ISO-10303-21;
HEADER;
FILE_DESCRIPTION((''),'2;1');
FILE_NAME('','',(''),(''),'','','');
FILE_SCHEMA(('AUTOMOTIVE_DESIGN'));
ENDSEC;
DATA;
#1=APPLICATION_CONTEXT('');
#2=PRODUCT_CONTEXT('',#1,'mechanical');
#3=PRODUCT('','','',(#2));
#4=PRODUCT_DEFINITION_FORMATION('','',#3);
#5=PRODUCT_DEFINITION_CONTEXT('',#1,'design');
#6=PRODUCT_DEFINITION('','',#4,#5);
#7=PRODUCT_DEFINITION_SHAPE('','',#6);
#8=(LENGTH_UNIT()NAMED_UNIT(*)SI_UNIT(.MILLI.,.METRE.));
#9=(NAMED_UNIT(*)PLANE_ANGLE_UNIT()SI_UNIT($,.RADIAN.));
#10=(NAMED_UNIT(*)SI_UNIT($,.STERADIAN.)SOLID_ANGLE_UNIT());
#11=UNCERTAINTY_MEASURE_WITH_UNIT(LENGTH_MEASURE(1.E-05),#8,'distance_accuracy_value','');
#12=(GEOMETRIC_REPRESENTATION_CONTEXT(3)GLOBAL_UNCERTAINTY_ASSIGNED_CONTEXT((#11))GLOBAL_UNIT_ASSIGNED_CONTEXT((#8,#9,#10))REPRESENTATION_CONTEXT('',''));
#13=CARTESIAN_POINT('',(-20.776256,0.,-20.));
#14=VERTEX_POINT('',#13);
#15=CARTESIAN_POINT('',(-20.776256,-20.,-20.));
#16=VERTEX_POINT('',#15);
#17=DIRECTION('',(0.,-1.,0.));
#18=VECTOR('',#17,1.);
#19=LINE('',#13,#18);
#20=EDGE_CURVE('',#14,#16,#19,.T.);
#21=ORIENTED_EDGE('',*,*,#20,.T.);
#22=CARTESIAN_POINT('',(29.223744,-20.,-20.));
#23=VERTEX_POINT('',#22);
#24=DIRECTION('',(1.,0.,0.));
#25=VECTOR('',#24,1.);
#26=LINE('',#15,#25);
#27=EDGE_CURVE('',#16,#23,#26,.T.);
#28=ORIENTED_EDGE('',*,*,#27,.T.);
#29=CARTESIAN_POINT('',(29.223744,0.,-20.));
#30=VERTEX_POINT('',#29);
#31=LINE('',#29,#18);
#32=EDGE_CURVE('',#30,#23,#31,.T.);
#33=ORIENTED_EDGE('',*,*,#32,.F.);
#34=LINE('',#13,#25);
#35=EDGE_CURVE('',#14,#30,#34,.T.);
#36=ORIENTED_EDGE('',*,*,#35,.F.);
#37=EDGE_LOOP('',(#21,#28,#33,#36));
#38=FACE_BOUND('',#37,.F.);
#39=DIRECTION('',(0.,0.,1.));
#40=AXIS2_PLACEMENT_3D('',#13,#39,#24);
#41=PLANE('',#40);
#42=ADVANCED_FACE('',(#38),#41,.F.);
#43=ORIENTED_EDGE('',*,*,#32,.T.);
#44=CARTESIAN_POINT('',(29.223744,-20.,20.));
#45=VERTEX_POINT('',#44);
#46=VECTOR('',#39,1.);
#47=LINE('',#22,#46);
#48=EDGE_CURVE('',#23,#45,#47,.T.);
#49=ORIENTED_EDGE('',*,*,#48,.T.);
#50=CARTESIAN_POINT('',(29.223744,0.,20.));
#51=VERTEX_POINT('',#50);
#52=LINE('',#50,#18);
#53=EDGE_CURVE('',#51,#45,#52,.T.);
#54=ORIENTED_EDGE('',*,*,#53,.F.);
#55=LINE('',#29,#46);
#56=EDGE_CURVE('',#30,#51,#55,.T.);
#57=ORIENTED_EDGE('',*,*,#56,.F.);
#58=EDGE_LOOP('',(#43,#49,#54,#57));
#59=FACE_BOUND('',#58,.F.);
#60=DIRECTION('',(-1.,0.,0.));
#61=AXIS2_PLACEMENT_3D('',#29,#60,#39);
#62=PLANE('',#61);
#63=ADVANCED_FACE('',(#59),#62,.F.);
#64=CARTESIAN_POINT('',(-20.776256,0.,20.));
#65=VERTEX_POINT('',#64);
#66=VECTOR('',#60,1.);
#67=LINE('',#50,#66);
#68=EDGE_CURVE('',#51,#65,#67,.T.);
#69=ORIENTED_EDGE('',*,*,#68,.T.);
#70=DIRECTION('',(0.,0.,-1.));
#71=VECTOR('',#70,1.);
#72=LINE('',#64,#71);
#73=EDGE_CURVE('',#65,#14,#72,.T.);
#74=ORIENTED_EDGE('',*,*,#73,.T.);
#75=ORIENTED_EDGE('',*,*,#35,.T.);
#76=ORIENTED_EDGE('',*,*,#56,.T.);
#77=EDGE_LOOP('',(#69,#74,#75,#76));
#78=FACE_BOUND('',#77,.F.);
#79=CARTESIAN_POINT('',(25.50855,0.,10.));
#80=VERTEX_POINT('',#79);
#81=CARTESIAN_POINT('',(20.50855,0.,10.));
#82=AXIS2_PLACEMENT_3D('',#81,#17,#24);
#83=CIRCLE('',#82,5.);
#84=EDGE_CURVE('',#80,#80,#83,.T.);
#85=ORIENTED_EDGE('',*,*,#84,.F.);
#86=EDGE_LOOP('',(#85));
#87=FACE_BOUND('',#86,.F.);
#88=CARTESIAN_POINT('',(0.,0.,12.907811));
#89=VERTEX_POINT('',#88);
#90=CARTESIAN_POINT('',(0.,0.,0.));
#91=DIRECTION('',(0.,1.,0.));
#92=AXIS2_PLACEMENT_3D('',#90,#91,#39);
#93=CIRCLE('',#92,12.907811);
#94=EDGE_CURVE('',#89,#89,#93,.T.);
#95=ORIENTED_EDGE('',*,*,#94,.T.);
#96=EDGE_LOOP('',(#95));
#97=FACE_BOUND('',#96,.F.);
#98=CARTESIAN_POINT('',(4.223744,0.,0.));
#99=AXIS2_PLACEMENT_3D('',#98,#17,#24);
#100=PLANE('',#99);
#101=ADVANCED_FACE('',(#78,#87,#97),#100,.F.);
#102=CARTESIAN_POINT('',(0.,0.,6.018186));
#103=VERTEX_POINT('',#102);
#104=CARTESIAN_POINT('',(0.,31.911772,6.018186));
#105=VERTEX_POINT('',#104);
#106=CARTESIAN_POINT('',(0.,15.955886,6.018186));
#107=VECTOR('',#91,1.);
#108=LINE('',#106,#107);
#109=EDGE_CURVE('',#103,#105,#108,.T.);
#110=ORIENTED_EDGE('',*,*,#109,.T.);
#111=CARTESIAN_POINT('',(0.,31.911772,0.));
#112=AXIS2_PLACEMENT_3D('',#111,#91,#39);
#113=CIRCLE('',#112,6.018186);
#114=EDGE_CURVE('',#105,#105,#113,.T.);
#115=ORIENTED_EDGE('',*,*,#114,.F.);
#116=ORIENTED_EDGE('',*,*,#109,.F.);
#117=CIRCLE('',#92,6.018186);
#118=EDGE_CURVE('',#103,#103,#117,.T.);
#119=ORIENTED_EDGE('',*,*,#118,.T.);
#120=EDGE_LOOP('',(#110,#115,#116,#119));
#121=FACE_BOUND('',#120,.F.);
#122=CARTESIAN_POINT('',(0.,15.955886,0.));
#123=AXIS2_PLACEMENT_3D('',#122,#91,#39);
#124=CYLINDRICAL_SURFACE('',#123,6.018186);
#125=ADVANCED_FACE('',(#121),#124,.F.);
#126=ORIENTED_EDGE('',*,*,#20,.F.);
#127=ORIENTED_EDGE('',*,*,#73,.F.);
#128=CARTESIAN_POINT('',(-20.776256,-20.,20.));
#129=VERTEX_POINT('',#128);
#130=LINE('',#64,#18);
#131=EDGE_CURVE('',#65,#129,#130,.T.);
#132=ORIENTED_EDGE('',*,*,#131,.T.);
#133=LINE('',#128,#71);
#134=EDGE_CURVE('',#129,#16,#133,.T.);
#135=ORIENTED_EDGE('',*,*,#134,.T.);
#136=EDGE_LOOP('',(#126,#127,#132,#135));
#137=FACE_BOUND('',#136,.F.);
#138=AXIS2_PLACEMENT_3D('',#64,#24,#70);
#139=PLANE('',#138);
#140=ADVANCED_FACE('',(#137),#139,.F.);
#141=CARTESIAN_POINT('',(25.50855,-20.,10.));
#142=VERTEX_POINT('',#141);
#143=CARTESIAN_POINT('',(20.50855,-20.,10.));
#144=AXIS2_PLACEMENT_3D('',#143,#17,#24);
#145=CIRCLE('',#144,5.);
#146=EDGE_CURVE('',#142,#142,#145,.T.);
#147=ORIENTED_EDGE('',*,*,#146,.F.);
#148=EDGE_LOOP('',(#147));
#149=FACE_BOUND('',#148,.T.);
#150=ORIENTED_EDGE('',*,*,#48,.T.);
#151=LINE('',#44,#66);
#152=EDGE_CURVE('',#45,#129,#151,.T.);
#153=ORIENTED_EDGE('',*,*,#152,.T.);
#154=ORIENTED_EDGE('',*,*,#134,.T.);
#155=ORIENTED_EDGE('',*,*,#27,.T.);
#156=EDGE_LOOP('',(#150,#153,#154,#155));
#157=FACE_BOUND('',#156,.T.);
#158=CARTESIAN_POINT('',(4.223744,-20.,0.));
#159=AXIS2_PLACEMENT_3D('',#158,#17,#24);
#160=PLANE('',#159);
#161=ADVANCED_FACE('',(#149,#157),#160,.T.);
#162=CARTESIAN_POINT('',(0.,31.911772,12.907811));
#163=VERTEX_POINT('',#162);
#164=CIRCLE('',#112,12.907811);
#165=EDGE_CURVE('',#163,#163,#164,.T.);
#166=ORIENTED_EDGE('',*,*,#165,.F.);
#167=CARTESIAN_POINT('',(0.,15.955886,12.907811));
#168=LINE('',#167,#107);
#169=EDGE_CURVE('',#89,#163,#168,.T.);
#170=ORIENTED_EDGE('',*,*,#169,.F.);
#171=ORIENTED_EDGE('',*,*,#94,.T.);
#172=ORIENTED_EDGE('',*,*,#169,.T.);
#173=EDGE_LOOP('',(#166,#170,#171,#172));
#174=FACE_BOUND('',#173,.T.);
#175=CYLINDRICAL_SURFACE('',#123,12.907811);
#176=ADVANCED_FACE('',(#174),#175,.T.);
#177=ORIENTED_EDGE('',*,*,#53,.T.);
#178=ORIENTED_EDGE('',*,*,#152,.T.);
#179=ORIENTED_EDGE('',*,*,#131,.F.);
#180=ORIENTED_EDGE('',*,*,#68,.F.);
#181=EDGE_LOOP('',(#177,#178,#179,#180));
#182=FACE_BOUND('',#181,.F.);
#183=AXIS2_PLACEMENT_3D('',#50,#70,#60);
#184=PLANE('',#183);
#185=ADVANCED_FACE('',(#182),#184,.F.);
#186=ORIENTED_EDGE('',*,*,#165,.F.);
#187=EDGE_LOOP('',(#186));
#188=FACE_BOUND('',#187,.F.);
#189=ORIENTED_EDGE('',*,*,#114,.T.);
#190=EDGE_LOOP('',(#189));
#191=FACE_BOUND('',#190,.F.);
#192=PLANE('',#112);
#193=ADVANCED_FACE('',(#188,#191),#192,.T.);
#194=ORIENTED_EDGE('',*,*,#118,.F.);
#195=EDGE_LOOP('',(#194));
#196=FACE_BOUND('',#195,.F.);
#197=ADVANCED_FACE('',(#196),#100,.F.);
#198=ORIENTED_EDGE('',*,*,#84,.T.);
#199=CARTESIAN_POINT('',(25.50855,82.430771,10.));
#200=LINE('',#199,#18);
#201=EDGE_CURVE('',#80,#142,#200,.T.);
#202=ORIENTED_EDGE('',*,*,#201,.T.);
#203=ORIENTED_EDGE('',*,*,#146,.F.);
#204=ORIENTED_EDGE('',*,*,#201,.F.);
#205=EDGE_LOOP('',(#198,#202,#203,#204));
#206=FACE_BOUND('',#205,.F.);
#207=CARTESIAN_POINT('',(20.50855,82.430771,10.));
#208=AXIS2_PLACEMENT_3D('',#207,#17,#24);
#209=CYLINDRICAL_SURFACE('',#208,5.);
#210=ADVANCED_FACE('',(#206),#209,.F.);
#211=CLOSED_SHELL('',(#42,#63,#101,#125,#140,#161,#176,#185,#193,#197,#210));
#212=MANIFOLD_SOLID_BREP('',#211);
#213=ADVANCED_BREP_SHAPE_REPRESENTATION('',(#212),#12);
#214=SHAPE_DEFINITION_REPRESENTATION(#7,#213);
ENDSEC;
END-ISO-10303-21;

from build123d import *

# Parameters (mm, degrees)
F1_DEPTH = 20
F2_W     = 31.911772
F2_H     = 6.889625
F5_D     = 10


with BuildPart() as f1:
    # F0 (on Front) → F1 (new body)
    with BuildSketch(Plane.XZ):
        Polygon((-20.776256, 20), (-20.776256, 0), (-20.776256, -20), (29.223744, -20), (29.223744, 20), align=None)
    extrude(amount=F1_DEPTH)

    # F2 (on Right) → F3 (revolve)
    with BuildSketch(Plane.YZ):
        with Locations((15.955886, 9.462998)):
            Rectangle(F2_W, F2_H)
    revolve(axis=Axis((0, 15.955886, 0), (0, 1, 0)))

    # F5 (through all)
    with Locations(Plane(origin=(0, 0, 0), x_dir=(-1, 0, 0), z_dir=(0, 1, 0))):
        with Locations((-20.50855, 10)):
            Hole(F5_D / 2)


solid = f1.part
